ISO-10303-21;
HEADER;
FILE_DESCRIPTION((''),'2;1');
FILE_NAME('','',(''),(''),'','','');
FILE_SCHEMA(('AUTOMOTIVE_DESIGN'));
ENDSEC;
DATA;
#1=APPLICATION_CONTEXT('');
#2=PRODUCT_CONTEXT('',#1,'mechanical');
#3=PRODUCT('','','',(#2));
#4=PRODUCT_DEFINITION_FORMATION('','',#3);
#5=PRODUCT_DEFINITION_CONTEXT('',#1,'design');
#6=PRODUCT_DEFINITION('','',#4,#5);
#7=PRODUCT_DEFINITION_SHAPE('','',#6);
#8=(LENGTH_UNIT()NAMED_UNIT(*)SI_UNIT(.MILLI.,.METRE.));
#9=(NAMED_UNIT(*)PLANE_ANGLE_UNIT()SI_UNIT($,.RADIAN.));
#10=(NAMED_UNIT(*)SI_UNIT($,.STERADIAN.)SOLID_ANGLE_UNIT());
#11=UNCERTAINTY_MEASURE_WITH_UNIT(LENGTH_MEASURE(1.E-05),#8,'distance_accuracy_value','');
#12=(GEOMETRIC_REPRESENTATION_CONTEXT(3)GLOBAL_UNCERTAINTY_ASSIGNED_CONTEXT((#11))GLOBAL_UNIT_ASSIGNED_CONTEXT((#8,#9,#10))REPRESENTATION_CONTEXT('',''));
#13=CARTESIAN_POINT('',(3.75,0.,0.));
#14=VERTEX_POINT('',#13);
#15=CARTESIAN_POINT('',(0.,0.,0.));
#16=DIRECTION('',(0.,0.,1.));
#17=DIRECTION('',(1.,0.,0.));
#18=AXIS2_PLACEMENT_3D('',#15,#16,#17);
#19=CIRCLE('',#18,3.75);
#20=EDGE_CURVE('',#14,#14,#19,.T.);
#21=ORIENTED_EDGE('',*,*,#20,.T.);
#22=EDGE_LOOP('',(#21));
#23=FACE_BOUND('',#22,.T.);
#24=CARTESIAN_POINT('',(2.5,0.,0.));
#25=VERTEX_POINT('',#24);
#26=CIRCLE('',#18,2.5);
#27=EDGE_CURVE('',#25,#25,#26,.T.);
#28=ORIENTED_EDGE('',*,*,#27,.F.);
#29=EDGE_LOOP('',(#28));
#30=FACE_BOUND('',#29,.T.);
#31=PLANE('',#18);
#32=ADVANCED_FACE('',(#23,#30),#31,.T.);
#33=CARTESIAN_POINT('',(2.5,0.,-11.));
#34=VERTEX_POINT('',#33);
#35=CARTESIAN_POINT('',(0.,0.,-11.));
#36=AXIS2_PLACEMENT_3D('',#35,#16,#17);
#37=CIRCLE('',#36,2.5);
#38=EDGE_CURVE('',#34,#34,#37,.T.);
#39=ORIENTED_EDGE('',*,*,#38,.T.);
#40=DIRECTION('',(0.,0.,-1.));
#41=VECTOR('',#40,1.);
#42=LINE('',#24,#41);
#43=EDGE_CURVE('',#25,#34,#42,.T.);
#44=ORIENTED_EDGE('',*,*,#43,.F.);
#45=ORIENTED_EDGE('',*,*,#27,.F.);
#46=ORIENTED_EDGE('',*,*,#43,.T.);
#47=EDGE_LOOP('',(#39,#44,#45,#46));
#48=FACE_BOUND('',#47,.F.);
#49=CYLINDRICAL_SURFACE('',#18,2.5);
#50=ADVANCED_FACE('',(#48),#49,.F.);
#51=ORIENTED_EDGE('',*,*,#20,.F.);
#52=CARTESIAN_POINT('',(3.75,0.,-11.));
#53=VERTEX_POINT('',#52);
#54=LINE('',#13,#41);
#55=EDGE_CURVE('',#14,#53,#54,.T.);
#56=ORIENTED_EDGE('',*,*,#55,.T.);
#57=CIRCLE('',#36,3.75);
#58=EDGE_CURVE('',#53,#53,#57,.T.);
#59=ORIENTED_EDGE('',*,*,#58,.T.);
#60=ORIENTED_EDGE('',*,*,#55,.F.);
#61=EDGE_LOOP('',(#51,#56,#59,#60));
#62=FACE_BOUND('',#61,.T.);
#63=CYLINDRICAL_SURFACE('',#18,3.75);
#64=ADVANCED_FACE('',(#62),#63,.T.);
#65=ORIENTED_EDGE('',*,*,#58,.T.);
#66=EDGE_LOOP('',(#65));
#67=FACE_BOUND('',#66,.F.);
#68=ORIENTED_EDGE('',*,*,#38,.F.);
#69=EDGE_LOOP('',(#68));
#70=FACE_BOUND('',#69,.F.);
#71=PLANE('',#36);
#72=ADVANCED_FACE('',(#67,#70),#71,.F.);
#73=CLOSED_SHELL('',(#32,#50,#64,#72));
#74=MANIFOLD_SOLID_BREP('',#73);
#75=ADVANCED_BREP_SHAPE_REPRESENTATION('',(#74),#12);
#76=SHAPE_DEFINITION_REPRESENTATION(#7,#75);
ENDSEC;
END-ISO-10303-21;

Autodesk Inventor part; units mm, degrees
ref_plane "YZ Plane" through (0, 0, 0) normal (1, 0, 0) x (0, 1, 0)
ref_plane "XZ Plane" through (0, 0, 0) normal (0, 1, 0) x (-1, 0, 0)
ref_plane "XY Plane" through (0, 0, 0) normal (0, 0, 1) x (1, 0, 0)
sketch "Skizze1" plane through (0, 0, 0) normal (0, 0, 1) x (1, 0, 0)
  circle A0 centre (0, 0) radius 3.75
  dimension "d0" = 7.5
extrude "Extrusion1" add sketch "Skizze1" against normal blind 11
sketch "Skizze2" plane through (0, 0, 0) normal (0, 0, 1) x (1, 0, 0)
  circle A0 centre (0, 0) radius 2.5
  dimension "d3" = 5
extrude "Extrusion2" cut sketch "Skizze2" against normal up to surface (11 mm away)
properties part number "büchse" material "Aluminium 6061"
